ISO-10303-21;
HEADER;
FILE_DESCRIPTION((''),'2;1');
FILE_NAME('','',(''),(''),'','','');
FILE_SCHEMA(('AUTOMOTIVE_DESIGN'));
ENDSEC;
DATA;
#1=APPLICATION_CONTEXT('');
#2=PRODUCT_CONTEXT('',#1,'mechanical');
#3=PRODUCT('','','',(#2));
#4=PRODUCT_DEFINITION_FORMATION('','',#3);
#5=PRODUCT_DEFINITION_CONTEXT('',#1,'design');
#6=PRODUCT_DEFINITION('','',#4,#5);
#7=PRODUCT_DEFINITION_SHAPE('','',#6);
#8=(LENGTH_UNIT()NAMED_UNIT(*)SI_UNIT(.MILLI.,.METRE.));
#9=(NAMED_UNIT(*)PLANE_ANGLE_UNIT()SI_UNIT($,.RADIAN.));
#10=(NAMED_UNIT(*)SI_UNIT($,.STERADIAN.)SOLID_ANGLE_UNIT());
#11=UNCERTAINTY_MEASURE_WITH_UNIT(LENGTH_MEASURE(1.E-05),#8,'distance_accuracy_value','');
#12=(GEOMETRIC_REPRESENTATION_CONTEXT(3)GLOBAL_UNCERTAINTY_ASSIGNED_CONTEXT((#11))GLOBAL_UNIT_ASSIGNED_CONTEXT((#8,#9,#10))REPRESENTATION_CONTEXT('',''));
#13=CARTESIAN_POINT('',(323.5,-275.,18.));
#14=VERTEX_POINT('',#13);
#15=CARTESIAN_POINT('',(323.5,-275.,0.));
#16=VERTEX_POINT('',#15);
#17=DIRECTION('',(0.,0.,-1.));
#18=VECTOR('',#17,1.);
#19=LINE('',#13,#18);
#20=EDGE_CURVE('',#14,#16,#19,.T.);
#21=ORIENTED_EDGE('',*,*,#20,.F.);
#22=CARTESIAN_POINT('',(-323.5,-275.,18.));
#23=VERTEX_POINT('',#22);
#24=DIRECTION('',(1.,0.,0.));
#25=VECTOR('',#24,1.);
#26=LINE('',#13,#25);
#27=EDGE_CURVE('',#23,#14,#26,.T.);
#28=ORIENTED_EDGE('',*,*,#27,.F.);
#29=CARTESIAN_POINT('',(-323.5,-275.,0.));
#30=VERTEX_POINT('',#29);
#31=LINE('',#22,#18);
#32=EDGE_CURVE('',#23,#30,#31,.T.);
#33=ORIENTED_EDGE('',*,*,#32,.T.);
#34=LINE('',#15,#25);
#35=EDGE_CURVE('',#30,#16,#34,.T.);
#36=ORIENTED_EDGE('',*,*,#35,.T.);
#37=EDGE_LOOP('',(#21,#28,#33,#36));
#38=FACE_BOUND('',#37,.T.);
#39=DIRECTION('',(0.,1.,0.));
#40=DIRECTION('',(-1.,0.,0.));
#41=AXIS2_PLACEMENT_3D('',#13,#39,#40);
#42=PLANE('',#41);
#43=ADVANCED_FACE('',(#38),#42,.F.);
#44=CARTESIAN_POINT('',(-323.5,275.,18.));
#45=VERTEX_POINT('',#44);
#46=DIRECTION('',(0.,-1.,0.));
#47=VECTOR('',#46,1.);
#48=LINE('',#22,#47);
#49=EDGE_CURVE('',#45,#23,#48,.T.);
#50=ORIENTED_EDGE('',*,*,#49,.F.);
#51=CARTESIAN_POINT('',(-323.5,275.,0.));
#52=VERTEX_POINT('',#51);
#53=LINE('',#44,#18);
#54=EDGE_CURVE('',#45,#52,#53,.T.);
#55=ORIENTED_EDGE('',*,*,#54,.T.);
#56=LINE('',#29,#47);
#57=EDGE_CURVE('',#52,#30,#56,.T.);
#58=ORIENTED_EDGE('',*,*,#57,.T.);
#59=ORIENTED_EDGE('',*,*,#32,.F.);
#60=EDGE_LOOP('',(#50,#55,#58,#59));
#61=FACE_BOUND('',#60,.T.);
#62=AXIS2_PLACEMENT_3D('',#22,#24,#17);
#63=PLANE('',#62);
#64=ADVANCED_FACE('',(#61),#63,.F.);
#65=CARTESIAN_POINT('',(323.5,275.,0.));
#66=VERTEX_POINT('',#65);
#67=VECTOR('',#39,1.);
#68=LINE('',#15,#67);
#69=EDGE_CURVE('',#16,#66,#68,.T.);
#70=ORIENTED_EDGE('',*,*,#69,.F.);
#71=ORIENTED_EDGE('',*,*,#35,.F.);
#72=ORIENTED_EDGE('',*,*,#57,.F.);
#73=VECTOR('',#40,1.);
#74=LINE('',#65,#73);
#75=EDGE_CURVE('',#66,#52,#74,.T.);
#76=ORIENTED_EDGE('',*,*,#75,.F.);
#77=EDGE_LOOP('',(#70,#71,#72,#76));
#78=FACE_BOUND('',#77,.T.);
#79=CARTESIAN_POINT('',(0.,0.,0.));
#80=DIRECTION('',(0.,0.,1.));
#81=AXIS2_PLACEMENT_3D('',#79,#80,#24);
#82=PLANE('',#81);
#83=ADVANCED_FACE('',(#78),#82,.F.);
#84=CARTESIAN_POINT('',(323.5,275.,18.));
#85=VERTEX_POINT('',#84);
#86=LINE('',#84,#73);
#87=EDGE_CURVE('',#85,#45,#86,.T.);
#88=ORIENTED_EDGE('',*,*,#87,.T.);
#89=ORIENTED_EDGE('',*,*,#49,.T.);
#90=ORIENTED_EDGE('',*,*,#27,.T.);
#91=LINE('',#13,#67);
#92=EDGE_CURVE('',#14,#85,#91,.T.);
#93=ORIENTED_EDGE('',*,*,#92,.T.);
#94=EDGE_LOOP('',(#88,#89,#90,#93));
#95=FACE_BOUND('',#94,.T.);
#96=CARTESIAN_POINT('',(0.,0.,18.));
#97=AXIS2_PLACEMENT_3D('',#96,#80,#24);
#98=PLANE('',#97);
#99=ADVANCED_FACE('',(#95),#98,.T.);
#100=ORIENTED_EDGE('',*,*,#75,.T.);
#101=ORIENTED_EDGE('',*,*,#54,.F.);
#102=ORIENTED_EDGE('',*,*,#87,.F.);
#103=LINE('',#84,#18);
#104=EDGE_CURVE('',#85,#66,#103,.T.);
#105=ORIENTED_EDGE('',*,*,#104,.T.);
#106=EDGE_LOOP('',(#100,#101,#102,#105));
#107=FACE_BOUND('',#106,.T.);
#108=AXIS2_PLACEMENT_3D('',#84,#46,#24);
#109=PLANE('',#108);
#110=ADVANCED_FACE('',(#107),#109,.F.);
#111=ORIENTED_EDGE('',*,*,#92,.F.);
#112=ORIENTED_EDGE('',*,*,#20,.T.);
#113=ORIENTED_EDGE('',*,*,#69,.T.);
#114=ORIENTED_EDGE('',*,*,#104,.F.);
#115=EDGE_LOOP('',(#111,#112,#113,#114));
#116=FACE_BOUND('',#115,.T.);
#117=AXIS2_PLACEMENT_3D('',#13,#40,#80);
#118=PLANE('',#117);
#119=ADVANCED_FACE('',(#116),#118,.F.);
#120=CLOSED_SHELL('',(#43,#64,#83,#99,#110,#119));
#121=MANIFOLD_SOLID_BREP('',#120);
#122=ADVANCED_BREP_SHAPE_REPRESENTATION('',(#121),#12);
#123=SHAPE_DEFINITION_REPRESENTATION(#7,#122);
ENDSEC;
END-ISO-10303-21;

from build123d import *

# Parameters (mm, degrees)
SKETCH1_W           = 647
SKETCH1_H           = 550
BOSS_EXTRUDE1_DEPTH = 18


with BuildPart() as part:
    # Sketch1 → Boss-Extrude1 (new body)
    with BuildSketch(Plane.XY):
        Rectangle(SKETCH1_W, SKETCH1_H)
    extrude(amount=BOSS_EXTRUDE1_DEPTH)


solid = part.part
